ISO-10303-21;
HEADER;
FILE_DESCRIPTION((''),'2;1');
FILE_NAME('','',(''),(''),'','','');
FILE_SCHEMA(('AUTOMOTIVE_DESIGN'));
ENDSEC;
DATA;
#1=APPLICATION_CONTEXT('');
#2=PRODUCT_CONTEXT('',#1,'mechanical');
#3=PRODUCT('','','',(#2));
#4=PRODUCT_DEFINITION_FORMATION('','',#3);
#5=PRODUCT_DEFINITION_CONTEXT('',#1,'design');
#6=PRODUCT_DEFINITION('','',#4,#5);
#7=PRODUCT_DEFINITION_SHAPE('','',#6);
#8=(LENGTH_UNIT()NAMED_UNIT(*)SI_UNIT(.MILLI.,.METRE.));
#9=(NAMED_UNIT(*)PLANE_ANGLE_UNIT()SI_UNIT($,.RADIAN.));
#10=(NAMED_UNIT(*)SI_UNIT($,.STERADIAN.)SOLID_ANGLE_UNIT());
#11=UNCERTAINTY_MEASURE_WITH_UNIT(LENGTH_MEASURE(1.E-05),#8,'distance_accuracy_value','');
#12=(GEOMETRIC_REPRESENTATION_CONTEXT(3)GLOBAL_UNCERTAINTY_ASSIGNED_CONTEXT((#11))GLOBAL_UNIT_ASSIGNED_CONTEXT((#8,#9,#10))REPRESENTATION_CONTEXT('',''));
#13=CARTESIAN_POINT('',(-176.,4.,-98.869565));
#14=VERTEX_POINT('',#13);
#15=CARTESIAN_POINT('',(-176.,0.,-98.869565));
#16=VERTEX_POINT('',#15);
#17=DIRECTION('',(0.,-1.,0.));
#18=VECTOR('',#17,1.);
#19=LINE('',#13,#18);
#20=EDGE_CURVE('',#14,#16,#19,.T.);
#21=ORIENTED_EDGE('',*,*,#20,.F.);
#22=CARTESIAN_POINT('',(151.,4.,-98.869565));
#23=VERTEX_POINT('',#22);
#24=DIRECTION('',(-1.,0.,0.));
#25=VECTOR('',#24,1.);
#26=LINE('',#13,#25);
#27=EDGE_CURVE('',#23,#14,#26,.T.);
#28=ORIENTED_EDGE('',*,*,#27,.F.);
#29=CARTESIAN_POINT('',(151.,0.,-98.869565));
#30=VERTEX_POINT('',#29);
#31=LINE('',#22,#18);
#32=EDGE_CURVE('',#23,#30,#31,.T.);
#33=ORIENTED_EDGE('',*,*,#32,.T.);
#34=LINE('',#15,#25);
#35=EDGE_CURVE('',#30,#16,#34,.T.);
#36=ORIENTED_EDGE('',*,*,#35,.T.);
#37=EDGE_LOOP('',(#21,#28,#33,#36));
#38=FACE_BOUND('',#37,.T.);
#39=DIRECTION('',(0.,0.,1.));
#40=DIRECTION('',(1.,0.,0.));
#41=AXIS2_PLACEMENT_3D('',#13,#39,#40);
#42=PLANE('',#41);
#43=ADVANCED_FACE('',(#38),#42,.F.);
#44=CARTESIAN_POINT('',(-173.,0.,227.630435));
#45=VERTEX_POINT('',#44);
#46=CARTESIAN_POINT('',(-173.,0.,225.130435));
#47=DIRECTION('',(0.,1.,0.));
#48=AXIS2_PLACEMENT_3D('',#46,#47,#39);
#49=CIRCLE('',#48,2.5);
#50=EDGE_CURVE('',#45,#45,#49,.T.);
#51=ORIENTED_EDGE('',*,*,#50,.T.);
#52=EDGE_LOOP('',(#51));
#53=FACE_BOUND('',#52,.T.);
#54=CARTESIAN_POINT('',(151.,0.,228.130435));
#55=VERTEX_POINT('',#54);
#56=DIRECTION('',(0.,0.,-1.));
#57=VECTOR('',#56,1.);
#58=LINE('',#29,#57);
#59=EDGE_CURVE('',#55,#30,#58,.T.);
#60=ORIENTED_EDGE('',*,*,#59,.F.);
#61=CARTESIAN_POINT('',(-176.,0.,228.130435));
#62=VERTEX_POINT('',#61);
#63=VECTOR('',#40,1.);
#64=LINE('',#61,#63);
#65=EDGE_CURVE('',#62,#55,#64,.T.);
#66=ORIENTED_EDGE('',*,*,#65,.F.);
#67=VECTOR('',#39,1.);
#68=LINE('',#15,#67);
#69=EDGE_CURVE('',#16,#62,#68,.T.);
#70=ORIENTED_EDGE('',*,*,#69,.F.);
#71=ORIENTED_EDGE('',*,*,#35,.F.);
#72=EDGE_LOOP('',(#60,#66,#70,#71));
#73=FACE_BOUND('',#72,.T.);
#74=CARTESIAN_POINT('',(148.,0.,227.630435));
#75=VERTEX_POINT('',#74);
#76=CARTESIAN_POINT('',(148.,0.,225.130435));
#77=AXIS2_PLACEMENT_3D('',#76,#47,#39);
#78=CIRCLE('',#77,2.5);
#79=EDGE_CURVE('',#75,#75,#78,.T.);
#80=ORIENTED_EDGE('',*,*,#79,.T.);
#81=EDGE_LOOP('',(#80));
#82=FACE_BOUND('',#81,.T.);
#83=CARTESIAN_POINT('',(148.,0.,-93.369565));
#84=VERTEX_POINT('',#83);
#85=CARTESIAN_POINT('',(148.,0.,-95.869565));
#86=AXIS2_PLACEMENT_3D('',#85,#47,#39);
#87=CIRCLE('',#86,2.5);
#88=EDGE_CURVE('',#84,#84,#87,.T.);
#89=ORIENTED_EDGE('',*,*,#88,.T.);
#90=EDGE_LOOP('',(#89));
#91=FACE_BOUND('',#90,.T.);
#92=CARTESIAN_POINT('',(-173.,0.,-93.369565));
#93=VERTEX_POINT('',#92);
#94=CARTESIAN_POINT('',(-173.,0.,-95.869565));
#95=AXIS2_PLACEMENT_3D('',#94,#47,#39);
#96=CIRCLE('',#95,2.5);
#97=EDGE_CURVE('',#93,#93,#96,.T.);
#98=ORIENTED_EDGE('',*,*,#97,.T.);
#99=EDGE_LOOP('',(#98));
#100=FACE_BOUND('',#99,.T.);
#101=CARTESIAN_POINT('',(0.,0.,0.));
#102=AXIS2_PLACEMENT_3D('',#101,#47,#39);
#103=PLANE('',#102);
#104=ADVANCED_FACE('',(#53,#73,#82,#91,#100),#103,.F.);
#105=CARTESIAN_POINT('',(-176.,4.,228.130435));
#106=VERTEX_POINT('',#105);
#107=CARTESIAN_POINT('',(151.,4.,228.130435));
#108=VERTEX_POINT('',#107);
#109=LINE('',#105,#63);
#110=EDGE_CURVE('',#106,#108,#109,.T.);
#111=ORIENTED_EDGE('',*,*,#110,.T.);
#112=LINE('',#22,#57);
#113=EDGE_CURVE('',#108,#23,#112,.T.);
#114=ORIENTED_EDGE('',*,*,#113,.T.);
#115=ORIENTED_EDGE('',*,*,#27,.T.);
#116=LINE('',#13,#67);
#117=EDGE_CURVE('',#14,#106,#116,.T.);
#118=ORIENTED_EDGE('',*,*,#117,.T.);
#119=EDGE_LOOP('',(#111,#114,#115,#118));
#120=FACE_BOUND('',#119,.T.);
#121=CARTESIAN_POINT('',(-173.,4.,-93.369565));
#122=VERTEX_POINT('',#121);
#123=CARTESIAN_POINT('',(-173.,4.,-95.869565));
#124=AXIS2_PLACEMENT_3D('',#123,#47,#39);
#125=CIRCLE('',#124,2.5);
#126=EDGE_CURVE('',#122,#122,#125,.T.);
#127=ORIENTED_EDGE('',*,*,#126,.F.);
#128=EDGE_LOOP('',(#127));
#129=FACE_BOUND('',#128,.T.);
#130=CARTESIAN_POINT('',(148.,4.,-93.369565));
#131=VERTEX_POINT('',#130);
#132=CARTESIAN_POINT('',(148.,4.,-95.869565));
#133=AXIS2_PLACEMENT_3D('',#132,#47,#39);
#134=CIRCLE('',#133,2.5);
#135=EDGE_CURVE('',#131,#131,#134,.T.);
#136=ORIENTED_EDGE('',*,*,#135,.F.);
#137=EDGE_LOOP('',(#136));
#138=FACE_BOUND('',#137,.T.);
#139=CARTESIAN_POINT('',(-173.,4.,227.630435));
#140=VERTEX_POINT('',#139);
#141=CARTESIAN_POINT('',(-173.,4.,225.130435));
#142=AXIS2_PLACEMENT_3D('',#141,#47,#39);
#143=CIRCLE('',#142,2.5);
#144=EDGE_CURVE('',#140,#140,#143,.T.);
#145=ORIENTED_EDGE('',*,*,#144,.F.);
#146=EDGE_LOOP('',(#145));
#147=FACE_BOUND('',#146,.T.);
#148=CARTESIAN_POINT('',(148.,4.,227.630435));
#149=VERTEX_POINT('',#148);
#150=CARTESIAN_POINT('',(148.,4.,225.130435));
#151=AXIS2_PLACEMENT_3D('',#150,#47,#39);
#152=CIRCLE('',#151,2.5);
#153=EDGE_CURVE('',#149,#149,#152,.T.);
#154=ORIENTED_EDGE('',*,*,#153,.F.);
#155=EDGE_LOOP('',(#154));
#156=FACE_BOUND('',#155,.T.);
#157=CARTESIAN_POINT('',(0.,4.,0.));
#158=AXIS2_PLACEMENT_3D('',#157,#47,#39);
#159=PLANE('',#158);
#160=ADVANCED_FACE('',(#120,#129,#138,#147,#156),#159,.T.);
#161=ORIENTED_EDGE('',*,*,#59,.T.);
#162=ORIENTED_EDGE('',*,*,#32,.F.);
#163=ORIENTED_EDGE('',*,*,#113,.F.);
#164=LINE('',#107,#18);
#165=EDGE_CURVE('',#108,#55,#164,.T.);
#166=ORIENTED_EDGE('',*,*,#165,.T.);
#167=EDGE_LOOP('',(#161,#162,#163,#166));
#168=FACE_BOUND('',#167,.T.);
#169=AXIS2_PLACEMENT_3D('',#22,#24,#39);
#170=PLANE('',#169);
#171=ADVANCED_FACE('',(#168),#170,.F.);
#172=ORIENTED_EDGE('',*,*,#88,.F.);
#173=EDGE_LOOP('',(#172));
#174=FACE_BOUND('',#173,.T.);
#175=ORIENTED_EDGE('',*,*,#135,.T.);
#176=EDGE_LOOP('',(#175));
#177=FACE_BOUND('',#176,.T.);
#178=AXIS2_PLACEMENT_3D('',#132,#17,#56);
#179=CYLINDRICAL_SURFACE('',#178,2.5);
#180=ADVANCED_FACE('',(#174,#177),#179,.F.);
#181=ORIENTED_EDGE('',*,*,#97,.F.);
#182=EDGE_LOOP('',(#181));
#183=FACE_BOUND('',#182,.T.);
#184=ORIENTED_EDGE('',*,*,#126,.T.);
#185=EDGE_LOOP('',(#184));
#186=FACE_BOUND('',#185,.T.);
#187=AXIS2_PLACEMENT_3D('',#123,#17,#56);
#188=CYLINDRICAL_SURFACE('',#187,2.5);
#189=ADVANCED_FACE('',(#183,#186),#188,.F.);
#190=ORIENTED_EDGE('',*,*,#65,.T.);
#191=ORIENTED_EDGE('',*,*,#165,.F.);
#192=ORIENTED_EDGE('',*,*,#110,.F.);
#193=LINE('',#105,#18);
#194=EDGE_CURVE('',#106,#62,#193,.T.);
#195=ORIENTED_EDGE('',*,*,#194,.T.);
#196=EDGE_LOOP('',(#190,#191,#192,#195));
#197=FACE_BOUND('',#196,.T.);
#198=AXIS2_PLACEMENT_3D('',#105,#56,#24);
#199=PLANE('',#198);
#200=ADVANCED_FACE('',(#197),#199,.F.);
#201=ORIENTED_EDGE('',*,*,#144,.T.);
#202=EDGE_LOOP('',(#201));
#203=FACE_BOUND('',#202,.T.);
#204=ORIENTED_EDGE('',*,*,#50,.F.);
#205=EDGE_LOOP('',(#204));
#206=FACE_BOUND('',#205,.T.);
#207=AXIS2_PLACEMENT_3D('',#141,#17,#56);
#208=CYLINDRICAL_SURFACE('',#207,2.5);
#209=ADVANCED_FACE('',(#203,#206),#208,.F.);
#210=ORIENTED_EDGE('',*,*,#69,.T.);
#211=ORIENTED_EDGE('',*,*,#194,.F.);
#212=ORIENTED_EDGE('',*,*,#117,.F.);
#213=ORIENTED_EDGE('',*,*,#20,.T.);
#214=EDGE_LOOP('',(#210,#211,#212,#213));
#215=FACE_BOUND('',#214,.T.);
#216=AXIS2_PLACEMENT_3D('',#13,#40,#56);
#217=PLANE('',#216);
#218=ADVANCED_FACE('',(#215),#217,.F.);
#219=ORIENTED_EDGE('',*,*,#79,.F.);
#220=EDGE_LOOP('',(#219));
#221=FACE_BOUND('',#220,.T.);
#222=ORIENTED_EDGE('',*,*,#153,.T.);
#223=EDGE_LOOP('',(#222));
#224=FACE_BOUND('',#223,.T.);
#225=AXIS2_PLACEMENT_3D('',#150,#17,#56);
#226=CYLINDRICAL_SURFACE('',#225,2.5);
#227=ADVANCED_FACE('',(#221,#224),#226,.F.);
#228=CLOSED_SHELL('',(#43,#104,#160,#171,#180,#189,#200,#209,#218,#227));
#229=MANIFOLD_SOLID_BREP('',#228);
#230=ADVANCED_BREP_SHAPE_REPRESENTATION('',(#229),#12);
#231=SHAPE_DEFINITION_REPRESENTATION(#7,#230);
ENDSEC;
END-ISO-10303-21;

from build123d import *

# Parameters (mm, degrees)
SKETCH1_W           = 327
SKETCH1_H           = 327
SKETCH1_R           = 2.5
BOSS_EXTRUDE1_DEPTH = 4


with BuildPart() as part:
    # Sketch1 → Boss-Extrude1 (new body)
    with BuildSketch(Plane(origin=(0, 0, 0), x_dir=(1, 0, 0), z_dir=(0, 1, 0))):
        with Locations((-12.5, -64.630434783)):
            Rectangle(SKETCH1_W, SKETCH1_H)
        with Locations((-173, -225.130434783)):
            Circle(SKETCH1_R, mode=Mode.SUBTRACT)
        with Locations((-173, 95.869565217)):
            Circle(SKETCH1_R, mode=Mode.SUBTRACT)
        with Locations((148, 95.869565217)):
            Circle(SKETCH1_R, mode=Mode.SUBTRACT)
        with Locations((148, -225.130434783)):
            Circle(SKETCH1_R, mode=Mode.SUBTRACT)
    extrude(amount=BOSS_EXTRUDE1_DEPTH)


solid = part.part
